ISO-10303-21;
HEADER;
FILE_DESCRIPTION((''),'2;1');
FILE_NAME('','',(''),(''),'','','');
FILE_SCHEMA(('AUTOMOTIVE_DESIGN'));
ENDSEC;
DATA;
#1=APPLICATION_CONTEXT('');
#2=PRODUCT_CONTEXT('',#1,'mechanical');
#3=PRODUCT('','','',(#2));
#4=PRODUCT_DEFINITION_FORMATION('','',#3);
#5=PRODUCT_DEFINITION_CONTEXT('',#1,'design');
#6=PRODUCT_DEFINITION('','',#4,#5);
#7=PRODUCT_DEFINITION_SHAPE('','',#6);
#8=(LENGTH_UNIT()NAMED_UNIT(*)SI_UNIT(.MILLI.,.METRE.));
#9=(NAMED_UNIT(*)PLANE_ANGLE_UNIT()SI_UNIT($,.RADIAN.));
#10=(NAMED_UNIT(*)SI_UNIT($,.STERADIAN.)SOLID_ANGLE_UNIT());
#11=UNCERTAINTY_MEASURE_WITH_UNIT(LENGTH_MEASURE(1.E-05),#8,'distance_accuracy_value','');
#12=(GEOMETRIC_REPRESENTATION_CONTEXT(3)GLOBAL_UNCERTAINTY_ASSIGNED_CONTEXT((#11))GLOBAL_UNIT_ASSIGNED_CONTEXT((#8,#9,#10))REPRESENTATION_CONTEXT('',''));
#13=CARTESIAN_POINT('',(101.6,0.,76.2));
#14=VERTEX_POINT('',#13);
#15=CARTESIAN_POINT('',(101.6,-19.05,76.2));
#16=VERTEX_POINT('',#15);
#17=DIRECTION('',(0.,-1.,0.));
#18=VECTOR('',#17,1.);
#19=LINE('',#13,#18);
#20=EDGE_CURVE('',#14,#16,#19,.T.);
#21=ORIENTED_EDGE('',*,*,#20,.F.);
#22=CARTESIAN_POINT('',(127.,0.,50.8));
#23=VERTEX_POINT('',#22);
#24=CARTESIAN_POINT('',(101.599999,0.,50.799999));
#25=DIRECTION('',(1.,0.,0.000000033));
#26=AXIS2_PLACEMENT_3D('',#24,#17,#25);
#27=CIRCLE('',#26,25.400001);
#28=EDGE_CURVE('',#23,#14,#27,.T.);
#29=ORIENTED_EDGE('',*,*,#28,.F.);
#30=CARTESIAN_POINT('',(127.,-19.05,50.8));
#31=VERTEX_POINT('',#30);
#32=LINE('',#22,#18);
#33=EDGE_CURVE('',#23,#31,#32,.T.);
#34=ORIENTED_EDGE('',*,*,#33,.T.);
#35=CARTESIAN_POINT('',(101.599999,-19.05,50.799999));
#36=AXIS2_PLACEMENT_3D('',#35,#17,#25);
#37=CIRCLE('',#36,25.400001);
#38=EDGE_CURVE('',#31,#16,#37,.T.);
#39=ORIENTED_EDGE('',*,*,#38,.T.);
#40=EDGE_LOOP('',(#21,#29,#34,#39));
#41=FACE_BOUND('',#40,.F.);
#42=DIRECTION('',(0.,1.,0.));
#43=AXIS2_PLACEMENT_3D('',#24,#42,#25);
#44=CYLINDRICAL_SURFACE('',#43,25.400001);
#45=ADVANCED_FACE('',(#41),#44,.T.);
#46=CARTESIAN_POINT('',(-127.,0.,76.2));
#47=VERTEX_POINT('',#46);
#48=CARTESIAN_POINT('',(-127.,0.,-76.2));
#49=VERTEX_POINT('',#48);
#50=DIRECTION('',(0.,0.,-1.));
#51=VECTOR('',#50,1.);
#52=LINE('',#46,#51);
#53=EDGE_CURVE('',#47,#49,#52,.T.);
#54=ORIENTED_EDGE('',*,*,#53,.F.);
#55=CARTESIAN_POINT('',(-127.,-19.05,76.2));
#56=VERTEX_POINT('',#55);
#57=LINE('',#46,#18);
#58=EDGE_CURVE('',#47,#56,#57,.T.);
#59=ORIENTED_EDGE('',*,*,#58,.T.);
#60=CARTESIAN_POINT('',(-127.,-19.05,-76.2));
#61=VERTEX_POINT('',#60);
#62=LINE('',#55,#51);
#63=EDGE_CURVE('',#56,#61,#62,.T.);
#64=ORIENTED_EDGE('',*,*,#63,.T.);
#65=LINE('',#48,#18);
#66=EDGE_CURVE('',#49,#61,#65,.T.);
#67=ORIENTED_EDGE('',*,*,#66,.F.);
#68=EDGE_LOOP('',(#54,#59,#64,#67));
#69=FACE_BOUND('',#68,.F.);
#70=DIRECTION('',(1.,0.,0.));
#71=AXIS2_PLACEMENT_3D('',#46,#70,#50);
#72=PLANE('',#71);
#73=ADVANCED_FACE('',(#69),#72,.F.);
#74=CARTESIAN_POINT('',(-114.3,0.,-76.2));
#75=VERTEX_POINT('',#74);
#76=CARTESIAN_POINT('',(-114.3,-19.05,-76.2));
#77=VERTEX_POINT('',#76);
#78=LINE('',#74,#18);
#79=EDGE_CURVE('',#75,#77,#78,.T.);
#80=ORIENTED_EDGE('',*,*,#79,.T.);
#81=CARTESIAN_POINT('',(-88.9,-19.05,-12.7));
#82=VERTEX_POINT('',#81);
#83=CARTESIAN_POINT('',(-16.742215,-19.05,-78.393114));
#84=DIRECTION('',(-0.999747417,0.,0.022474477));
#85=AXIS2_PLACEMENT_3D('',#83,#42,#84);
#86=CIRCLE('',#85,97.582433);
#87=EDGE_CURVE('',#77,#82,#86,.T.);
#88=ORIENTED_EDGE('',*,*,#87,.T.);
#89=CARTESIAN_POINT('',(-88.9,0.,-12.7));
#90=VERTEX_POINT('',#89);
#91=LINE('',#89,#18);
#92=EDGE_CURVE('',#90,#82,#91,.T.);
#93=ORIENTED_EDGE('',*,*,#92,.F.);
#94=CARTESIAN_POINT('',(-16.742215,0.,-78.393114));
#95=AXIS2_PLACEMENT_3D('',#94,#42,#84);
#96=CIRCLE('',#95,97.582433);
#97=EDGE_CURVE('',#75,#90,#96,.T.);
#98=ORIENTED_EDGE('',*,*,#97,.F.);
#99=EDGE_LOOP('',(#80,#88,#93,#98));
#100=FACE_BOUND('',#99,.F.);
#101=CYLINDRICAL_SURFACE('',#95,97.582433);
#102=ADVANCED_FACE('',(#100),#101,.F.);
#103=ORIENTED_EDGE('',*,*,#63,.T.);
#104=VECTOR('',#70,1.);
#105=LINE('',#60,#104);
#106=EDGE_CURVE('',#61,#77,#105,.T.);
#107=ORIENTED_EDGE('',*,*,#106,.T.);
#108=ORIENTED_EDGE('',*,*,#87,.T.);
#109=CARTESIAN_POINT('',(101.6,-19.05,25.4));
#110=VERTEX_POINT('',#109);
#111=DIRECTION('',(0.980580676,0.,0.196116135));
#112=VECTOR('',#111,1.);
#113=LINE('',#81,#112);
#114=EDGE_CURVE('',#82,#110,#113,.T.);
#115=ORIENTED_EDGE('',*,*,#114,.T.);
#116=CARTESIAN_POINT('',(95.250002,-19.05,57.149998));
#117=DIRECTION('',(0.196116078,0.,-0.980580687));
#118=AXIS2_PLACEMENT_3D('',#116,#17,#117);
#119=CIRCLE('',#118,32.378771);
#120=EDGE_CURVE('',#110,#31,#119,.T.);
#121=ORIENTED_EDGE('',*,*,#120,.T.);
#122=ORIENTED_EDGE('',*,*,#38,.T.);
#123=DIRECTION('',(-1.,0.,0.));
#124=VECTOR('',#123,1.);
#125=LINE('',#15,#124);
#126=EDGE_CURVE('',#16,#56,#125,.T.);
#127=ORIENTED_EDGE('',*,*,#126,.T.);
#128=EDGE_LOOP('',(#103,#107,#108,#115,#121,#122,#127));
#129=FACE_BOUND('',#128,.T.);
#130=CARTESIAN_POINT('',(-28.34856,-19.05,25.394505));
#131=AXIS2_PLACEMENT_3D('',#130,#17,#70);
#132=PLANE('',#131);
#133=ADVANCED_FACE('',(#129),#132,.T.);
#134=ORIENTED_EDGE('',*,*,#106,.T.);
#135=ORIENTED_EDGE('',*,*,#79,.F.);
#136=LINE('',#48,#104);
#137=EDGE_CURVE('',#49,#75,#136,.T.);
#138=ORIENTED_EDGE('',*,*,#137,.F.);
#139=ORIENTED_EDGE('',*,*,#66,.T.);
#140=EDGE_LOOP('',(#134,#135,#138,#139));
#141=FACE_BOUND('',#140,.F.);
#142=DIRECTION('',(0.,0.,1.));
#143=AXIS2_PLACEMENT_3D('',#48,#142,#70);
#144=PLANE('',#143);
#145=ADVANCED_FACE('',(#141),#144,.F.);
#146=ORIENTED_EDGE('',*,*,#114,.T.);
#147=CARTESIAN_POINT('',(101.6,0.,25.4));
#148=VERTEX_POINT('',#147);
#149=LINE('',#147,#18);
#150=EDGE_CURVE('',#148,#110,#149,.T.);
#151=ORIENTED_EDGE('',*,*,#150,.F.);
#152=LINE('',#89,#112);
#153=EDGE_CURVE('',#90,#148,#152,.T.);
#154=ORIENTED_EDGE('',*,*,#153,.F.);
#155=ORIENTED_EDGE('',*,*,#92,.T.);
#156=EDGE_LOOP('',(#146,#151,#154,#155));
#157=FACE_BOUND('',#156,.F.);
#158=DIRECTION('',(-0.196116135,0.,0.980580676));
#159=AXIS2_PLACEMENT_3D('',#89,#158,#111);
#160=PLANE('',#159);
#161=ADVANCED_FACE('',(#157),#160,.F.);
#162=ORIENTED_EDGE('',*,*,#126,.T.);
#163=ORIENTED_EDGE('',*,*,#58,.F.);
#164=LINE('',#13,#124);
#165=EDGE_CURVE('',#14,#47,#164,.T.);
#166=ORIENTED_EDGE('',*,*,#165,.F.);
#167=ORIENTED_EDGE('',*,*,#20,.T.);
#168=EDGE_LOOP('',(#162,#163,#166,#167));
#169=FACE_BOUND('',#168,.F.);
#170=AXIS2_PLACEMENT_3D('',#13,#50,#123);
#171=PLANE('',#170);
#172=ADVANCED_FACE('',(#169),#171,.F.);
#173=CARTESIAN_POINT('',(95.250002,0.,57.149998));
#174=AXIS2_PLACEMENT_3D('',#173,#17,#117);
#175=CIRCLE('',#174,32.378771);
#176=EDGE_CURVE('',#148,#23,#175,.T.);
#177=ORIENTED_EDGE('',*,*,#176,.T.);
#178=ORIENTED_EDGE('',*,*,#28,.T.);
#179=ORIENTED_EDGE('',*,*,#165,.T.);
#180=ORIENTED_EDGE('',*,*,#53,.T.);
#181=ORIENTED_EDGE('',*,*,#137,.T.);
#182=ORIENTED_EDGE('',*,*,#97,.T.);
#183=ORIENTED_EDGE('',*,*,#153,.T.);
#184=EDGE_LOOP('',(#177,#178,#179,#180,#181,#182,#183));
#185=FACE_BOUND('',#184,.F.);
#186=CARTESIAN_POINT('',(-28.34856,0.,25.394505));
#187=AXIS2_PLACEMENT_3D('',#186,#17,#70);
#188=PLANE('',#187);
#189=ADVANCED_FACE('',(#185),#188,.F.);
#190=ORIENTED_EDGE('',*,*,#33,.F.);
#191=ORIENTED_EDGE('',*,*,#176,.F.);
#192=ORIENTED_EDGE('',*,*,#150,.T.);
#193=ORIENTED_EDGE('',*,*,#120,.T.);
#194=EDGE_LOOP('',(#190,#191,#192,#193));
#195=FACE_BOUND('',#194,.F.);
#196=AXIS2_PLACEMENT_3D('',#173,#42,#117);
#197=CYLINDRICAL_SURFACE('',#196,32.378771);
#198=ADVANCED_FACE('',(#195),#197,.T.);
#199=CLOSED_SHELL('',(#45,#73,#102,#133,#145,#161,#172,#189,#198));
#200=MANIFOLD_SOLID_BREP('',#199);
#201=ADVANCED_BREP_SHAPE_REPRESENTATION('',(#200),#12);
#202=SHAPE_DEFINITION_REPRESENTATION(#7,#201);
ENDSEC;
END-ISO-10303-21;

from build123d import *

# Parameters (mm, degrees)
F1_DEPTH = 19.05


with BuildPart() as f1:
    # F0 (on Front) → F1 (new body)
    with BuildSketch(Plane.XZ):
        with BuildLine():
            Line((101.6, 76.2), (-127, 76.2))
            Line((-127, 76.2), (-127, -76.2))
            Line((-127, -76.2), (-114.3, -76.2))
            ThreePointArc((-114.3, -76.2), (-107.345229, -42.151908), (-88.9, -12.7))
            Line((-88.9, -12.7), (101.6, 25.4))
            ThreePointArc((101.6, 25.4), (118.145251, 34.254749), (127, 50.8))
            ThreePointArc((127, 50.8), (119.560512, 68.760512), (101.6, 76.2))
        make_face()
    extrude(amount=F1_DEPTH)


solid = f1.part
